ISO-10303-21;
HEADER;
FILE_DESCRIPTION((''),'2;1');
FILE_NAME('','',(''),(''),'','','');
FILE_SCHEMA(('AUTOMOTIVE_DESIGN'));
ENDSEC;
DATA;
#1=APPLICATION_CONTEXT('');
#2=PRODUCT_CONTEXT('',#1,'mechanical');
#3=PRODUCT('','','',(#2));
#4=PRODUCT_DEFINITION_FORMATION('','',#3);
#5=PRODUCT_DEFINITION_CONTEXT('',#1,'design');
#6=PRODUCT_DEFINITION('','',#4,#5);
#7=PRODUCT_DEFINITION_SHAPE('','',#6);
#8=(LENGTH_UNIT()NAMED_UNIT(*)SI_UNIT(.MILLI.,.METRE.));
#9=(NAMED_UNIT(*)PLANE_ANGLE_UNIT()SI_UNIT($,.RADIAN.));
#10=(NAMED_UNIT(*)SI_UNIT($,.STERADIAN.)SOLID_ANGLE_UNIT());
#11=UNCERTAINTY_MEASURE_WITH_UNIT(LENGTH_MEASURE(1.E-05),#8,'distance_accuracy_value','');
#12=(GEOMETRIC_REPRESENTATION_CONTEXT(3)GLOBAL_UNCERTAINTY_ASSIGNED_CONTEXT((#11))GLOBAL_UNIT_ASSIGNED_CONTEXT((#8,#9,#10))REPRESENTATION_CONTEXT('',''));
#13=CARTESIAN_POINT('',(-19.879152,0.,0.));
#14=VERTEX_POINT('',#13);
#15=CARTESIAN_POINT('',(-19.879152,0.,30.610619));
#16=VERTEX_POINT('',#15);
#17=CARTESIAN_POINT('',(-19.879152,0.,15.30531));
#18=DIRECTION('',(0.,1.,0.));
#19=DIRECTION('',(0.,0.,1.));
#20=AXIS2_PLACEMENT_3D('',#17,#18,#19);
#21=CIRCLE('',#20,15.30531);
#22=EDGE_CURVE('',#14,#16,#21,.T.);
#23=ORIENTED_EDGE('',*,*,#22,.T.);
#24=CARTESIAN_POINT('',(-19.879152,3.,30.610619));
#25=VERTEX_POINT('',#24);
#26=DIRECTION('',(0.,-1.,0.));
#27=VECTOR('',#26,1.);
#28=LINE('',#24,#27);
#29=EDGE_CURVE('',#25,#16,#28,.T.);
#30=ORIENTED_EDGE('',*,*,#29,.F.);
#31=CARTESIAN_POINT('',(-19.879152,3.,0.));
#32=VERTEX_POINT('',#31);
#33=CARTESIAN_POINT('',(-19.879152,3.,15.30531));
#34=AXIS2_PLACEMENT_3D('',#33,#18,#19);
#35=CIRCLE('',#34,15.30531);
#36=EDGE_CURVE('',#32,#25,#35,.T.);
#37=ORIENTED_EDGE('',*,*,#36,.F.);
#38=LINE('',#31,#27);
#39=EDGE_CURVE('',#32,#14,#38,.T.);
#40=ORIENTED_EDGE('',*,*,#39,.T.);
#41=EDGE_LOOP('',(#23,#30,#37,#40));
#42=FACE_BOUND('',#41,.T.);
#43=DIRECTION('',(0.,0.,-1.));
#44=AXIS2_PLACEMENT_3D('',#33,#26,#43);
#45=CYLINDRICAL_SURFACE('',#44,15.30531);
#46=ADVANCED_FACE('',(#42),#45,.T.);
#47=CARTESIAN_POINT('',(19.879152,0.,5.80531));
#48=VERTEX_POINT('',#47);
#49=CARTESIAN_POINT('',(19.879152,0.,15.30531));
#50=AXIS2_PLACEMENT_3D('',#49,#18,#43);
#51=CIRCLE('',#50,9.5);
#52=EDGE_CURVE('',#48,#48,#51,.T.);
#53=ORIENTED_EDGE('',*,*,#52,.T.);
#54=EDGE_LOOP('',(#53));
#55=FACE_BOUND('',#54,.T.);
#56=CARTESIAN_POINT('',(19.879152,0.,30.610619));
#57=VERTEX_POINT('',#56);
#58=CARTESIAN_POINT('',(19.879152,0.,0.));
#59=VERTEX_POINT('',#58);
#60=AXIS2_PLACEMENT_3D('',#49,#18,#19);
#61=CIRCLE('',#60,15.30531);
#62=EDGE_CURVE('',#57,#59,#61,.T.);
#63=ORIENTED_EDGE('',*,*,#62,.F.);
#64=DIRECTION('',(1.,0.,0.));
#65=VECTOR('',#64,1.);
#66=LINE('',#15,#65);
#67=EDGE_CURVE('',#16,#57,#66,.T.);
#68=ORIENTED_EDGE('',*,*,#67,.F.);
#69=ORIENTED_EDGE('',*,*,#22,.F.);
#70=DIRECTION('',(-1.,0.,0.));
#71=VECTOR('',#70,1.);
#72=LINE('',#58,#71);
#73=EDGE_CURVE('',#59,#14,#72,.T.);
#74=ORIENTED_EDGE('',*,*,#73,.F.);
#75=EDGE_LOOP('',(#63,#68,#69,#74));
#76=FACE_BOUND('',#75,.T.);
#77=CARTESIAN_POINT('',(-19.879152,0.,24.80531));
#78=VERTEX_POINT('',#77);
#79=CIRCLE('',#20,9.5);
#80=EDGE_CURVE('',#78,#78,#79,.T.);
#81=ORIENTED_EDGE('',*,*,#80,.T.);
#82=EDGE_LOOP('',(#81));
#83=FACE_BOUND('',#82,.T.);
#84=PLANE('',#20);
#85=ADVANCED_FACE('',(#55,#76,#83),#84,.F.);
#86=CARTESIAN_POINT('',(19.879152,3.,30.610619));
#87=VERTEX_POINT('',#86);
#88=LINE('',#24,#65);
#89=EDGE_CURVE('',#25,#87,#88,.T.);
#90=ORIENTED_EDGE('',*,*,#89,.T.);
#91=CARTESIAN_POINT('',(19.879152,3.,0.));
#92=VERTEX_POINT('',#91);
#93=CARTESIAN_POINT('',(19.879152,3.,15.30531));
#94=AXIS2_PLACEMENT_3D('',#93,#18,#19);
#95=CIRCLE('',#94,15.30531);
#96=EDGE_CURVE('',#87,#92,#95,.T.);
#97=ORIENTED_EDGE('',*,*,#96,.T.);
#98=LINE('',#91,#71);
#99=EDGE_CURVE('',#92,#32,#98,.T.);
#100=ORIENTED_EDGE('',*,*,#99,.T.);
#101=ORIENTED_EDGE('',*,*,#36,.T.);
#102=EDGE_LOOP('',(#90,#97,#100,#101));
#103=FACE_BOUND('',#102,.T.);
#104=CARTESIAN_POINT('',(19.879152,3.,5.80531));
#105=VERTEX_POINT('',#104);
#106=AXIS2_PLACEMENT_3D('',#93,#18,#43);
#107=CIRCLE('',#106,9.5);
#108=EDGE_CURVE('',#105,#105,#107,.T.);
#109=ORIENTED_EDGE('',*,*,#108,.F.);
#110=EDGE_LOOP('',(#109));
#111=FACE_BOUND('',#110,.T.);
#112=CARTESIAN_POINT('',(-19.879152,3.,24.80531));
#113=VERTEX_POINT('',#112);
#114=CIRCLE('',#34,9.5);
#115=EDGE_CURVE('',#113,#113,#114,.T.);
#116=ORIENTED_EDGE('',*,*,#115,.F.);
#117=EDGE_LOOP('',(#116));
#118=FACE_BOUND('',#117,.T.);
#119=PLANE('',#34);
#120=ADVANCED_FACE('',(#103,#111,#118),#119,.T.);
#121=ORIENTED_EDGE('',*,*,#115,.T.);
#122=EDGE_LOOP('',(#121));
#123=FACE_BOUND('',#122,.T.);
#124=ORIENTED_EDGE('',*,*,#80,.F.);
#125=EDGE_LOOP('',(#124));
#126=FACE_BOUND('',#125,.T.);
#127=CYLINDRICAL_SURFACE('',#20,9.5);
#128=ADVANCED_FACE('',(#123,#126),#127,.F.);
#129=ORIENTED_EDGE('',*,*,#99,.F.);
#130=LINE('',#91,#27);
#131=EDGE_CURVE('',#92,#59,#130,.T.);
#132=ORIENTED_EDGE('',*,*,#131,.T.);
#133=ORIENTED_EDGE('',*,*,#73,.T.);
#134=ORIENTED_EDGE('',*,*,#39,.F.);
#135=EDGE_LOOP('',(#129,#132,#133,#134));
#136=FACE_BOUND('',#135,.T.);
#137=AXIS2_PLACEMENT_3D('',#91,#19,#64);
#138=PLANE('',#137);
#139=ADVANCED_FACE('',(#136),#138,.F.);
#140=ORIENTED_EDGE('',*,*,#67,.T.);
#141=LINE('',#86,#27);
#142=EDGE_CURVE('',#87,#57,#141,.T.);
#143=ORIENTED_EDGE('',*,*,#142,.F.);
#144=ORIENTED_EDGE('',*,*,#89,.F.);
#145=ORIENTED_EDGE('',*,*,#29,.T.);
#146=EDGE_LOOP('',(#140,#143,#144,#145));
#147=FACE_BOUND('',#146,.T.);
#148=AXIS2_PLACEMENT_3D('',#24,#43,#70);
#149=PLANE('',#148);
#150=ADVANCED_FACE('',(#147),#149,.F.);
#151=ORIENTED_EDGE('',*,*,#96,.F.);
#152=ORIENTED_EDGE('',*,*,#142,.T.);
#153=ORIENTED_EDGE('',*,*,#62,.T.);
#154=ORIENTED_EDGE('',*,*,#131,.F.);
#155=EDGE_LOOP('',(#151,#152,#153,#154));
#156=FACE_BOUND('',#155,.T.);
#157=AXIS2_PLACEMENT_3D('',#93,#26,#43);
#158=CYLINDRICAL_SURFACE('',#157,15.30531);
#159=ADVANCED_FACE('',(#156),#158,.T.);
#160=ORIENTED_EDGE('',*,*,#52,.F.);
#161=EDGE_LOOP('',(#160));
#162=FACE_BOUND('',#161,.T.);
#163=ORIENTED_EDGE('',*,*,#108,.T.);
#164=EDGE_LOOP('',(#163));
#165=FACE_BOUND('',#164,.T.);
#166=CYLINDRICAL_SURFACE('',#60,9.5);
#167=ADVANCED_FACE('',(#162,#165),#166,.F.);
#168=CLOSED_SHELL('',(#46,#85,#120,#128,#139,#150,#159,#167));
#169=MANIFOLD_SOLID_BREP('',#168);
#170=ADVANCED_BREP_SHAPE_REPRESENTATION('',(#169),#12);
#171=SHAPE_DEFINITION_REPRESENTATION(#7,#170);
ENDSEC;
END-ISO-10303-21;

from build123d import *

# Parameters (mm, degrees)
BOSS_EXTRUDE1_DEPTH = 3
SKETCH2_R           = 9.5
CUT_EXTRUDE1_DEPTH  = 47.732818672


with BuildPart() as part:
    # Sketch1 → Boss-Extrude1 (new body)
    with BuildSketch(Plane(origin=(0, 0, 0), x_dir=(1, 0, 0), z_dir=(0, 1, 0))):
        with BuildLine():
            Line((19.879152095, 0), (-19.879152095, 0))
            ThreePointArc((-19.879152095, 0), (-35.184461635, -15.30530954), (-19.879152095, -30.61061908))
            Line((-19.879152095, -30.61061908), (19.879152095, -30.61061908))
            ThreePointArc((19.879152095, -30.61061908), (35.184461635, -15.30530954), (19.879152095, 0))
        make_face()
    extrude(amount=BOSS_EXTRUDE1_DEPTH)

    # Sketch2 → Cut-Extrude1 (cut, through all)
    with BuildSketch(Plane(origin=(0, 3, 0), x_dir=(1, 0, 0), z_dir=(0, 1, 0))):
        with Locations(Location((-19.879152095, -15.30530954, 0), (0, 0, 270))):
            Circle(SKETCH2_R)
        with Locations(Location((19.879152095, -15.30530954, 0), (0, 0, 90))):
            Circle(SKETCH2_R)
    extrude(amount=-CUT_EXTRUDE1_DEPTH, mode=Mode.SUBTRACT)


solid = part.part
